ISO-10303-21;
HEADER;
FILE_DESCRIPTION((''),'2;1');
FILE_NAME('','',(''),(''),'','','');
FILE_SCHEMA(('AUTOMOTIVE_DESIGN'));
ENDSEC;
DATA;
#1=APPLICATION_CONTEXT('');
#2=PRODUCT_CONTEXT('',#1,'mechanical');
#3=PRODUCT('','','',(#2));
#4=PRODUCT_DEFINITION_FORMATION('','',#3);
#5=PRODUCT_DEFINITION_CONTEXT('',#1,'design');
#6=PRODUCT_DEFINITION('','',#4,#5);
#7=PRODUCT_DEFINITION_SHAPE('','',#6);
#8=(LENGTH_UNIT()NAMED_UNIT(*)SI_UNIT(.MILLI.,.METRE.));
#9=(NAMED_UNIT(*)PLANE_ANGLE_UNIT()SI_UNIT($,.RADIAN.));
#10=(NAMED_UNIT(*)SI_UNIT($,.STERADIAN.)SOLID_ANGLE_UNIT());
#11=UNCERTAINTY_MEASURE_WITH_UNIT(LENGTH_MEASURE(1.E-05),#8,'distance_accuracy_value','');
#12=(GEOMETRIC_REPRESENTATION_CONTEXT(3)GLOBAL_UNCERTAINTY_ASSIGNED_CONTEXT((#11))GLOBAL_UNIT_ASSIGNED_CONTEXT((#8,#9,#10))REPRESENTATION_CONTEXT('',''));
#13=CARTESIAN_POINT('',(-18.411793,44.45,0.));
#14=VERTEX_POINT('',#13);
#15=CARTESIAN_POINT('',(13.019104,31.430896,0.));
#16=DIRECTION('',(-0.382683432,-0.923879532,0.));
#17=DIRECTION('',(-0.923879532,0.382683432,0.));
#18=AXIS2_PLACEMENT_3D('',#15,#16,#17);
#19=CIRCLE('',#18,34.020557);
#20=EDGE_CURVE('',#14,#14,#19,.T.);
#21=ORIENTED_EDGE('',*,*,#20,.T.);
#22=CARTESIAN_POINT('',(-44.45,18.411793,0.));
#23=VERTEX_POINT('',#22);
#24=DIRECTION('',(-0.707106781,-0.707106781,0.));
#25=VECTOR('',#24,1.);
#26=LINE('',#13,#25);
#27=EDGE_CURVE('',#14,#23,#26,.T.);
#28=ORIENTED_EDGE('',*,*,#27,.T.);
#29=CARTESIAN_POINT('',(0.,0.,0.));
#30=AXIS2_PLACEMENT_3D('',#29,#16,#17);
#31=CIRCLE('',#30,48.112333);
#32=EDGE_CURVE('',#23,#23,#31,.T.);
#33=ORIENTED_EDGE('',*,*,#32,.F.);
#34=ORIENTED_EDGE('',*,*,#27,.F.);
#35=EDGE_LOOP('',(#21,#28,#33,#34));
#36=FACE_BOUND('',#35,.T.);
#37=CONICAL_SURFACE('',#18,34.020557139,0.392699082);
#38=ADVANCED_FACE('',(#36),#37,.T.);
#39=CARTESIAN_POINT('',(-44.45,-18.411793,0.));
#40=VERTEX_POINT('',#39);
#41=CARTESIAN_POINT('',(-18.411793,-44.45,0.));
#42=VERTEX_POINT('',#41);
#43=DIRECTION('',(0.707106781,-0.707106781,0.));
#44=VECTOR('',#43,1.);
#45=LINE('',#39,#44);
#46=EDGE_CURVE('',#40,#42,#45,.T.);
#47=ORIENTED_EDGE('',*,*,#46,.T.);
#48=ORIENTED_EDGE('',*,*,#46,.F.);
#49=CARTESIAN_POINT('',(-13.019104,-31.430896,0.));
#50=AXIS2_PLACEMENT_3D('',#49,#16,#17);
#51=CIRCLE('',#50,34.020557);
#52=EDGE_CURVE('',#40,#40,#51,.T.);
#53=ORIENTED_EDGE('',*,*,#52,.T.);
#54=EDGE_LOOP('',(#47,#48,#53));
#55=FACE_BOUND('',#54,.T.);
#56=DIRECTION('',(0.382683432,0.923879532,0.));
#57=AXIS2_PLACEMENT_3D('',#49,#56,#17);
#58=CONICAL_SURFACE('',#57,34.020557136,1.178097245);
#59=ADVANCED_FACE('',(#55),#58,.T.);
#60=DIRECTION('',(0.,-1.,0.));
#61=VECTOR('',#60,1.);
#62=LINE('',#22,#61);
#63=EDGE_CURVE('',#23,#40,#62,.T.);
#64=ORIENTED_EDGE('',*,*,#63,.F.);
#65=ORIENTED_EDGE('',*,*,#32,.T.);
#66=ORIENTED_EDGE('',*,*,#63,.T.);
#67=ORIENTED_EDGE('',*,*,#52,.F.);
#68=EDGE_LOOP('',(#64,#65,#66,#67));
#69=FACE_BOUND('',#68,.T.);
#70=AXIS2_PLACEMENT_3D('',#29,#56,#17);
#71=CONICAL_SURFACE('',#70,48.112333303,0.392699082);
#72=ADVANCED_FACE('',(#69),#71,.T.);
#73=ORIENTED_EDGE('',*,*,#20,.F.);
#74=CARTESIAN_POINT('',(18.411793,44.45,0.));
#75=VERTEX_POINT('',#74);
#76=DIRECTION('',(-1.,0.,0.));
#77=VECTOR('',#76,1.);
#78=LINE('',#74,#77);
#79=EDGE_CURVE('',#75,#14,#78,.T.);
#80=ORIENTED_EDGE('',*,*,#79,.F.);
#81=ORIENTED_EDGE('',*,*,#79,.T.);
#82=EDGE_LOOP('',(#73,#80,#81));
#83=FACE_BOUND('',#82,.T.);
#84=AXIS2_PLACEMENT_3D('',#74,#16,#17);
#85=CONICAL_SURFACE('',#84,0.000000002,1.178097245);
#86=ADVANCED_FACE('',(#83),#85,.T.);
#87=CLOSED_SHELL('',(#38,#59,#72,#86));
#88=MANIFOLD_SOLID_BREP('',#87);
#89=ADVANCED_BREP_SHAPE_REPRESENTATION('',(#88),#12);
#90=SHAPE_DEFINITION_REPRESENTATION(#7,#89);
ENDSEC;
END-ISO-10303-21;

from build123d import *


with BuildPart() as f1:
    # F0 (on Top) → F1 (revolve)
    with BuildSketch(Plane.XY):
        Polygon((-44.45, 18.4117928475), (18.4117928475, 44.45), (-18.4117928475, 44.45), align=None)
        Polygon((-44.45, -18.4117928475), (-18.4117928475, -44.45), (18.4117928475, 44.45), (-44.45, 18.4117928475), align=None)
    revolve(axis=Axis((0, 0, 0), (-0.3826834324, -0.9238795325, 0)))


solid = f1.part
